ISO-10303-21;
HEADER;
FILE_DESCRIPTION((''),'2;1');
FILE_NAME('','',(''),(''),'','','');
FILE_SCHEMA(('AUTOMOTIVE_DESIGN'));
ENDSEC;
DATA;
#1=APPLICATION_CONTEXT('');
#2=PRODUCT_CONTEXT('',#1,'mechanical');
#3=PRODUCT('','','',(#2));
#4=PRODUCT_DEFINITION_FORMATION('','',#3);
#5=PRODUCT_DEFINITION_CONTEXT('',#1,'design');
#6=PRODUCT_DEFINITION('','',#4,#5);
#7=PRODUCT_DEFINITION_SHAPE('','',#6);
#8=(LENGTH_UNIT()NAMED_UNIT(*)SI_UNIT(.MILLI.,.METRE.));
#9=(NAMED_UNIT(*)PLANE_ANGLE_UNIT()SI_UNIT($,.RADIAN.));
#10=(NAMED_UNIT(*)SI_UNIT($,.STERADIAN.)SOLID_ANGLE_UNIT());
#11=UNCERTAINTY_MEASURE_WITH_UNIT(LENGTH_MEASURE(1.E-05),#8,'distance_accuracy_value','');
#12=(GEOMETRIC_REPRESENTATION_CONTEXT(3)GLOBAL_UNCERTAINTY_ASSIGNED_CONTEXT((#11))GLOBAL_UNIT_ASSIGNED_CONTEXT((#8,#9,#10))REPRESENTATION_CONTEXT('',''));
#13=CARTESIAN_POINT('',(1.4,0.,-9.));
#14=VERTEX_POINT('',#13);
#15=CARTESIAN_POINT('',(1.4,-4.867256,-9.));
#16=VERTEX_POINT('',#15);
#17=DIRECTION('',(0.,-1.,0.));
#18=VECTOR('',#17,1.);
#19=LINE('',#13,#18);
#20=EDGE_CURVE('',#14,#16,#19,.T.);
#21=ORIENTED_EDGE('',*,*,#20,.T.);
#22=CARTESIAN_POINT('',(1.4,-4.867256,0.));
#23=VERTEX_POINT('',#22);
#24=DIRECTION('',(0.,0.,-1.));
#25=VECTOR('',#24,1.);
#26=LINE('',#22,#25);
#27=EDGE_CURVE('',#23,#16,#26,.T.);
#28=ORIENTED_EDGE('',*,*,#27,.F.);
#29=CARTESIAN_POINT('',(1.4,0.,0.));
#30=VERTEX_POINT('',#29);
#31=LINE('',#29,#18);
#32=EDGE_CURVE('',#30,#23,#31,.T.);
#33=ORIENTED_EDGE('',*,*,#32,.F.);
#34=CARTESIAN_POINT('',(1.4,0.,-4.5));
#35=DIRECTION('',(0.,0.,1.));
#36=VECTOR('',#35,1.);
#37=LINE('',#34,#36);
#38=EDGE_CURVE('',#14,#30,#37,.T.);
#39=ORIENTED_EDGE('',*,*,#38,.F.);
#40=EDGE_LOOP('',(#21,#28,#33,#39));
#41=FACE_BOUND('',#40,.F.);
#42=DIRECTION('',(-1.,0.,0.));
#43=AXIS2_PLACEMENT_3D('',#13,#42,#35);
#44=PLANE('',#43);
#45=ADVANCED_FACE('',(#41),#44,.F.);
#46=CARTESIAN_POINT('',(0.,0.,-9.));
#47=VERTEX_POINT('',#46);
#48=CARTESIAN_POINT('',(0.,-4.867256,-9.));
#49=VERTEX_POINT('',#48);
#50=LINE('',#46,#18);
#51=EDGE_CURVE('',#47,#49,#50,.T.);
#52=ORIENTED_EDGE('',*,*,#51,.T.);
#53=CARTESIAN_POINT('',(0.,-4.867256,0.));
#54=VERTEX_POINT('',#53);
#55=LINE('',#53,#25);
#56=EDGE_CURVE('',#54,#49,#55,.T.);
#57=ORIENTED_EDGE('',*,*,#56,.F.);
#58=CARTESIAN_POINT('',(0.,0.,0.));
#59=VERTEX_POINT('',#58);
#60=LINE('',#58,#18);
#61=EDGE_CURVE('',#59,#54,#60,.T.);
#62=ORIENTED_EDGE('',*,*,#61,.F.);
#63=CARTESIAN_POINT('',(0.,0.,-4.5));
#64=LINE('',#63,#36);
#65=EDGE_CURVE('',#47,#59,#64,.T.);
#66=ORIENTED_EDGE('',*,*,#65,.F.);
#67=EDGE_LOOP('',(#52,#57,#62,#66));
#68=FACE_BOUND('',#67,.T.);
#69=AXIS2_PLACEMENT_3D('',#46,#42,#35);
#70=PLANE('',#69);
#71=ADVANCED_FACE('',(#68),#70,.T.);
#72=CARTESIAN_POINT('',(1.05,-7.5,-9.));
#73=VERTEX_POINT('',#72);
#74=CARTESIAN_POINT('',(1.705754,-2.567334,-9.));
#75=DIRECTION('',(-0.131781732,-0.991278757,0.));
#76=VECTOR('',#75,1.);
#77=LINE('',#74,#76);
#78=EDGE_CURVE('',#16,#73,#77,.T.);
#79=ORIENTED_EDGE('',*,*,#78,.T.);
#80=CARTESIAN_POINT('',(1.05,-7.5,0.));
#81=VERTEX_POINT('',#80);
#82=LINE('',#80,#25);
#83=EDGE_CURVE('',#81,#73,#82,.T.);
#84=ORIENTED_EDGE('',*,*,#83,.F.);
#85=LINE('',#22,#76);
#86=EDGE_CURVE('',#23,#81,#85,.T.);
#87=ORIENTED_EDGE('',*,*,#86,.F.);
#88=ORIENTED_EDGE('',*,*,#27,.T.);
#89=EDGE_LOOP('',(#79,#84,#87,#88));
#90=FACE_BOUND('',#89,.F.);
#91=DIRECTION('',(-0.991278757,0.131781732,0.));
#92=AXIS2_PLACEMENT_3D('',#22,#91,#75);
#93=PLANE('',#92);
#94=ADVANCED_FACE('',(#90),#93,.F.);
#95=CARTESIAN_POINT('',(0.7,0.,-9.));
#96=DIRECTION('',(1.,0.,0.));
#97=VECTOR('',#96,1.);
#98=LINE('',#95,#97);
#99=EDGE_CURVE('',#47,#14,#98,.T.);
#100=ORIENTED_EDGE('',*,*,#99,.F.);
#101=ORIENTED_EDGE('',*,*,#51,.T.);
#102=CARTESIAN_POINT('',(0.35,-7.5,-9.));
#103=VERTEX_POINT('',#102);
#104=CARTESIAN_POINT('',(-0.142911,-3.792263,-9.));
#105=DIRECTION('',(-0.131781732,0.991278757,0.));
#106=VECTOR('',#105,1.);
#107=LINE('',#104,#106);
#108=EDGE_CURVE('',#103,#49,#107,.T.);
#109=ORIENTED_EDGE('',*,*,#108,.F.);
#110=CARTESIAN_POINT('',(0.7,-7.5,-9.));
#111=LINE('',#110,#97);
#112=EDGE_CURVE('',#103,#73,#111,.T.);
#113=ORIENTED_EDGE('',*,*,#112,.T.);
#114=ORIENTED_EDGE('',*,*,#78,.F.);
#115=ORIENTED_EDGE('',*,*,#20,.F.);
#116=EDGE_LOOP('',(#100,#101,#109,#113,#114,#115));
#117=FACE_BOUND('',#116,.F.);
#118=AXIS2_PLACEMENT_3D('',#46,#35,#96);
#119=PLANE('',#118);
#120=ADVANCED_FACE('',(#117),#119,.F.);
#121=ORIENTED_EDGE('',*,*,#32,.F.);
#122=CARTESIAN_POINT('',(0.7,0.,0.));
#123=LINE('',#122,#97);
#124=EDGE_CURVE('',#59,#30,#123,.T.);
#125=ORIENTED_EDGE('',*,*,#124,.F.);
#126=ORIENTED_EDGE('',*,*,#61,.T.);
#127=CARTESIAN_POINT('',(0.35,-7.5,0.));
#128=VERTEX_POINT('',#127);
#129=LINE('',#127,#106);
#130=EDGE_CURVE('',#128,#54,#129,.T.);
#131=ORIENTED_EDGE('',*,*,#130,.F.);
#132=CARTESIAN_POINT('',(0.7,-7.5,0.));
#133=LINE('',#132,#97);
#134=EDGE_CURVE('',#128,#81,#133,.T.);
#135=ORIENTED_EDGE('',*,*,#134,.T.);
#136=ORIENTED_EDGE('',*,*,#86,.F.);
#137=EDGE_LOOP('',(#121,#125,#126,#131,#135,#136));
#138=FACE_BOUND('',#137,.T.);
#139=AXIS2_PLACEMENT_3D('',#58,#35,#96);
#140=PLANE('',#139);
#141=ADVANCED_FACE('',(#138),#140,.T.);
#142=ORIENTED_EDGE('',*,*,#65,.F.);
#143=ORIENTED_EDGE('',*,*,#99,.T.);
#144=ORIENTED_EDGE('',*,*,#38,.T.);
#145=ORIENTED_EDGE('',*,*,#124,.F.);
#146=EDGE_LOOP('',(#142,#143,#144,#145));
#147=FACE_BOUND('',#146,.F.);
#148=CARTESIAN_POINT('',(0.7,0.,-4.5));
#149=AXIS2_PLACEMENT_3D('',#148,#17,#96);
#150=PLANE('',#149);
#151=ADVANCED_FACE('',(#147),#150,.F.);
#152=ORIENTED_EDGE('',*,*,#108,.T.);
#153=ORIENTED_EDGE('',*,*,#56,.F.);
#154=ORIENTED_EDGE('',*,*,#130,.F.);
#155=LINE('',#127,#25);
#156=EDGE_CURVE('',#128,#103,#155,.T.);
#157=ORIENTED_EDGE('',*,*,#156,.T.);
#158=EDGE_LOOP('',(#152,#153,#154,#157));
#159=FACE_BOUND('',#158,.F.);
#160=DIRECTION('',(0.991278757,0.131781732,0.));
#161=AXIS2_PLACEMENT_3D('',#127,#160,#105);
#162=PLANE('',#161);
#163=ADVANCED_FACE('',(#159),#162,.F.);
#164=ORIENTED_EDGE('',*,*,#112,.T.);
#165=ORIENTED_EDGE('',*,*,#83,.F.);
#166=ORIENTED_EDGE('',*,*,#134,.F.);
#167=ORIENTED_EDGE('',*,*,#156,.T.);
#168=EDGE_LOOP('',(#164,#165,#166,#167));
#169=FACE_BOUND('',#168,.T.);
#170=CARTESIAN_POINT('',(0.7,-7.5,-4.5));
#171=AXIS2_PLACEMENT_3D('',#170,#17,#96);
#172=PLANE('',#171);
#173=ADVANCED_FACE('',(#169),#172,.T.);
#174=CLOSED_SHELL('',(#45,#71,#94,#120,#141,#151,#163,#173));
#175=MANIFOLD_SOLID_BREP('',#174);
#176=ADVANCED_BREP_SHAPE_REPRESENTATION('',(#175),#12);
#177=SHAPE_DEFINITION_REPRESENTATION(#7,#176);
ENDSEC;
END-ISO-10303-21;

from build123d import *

# Parameters (mm, degrees)
F0_W     = 1.4
F0_H     = 9
F1_DEPTH = 7.5
F3_DEPTH = 25.4


with BuildPart() as f1:
    # F0 (on Front) → F1 (new body)
    with BuildSketch(Plane.XZ):
        with Locations((0.7, -4.5)):
            Rectangle(F0_W, F0_H)
    extrude(amount=F1_DEPTH)

    # F2 (on face) → F3 (cut)
    with BuildSketch(Plane.XY):
        Polygon((0, -7.5), (0.35, -7.5), (0, -4.867256), align=None)
        Polygon((1.4, -4.867256), (1.05, -7.5), (1.4, -7.5), align=None)
    extrude(amount=-F3_DEPTH, mode=Mode.SUBTRACT)


solid = f1.part
